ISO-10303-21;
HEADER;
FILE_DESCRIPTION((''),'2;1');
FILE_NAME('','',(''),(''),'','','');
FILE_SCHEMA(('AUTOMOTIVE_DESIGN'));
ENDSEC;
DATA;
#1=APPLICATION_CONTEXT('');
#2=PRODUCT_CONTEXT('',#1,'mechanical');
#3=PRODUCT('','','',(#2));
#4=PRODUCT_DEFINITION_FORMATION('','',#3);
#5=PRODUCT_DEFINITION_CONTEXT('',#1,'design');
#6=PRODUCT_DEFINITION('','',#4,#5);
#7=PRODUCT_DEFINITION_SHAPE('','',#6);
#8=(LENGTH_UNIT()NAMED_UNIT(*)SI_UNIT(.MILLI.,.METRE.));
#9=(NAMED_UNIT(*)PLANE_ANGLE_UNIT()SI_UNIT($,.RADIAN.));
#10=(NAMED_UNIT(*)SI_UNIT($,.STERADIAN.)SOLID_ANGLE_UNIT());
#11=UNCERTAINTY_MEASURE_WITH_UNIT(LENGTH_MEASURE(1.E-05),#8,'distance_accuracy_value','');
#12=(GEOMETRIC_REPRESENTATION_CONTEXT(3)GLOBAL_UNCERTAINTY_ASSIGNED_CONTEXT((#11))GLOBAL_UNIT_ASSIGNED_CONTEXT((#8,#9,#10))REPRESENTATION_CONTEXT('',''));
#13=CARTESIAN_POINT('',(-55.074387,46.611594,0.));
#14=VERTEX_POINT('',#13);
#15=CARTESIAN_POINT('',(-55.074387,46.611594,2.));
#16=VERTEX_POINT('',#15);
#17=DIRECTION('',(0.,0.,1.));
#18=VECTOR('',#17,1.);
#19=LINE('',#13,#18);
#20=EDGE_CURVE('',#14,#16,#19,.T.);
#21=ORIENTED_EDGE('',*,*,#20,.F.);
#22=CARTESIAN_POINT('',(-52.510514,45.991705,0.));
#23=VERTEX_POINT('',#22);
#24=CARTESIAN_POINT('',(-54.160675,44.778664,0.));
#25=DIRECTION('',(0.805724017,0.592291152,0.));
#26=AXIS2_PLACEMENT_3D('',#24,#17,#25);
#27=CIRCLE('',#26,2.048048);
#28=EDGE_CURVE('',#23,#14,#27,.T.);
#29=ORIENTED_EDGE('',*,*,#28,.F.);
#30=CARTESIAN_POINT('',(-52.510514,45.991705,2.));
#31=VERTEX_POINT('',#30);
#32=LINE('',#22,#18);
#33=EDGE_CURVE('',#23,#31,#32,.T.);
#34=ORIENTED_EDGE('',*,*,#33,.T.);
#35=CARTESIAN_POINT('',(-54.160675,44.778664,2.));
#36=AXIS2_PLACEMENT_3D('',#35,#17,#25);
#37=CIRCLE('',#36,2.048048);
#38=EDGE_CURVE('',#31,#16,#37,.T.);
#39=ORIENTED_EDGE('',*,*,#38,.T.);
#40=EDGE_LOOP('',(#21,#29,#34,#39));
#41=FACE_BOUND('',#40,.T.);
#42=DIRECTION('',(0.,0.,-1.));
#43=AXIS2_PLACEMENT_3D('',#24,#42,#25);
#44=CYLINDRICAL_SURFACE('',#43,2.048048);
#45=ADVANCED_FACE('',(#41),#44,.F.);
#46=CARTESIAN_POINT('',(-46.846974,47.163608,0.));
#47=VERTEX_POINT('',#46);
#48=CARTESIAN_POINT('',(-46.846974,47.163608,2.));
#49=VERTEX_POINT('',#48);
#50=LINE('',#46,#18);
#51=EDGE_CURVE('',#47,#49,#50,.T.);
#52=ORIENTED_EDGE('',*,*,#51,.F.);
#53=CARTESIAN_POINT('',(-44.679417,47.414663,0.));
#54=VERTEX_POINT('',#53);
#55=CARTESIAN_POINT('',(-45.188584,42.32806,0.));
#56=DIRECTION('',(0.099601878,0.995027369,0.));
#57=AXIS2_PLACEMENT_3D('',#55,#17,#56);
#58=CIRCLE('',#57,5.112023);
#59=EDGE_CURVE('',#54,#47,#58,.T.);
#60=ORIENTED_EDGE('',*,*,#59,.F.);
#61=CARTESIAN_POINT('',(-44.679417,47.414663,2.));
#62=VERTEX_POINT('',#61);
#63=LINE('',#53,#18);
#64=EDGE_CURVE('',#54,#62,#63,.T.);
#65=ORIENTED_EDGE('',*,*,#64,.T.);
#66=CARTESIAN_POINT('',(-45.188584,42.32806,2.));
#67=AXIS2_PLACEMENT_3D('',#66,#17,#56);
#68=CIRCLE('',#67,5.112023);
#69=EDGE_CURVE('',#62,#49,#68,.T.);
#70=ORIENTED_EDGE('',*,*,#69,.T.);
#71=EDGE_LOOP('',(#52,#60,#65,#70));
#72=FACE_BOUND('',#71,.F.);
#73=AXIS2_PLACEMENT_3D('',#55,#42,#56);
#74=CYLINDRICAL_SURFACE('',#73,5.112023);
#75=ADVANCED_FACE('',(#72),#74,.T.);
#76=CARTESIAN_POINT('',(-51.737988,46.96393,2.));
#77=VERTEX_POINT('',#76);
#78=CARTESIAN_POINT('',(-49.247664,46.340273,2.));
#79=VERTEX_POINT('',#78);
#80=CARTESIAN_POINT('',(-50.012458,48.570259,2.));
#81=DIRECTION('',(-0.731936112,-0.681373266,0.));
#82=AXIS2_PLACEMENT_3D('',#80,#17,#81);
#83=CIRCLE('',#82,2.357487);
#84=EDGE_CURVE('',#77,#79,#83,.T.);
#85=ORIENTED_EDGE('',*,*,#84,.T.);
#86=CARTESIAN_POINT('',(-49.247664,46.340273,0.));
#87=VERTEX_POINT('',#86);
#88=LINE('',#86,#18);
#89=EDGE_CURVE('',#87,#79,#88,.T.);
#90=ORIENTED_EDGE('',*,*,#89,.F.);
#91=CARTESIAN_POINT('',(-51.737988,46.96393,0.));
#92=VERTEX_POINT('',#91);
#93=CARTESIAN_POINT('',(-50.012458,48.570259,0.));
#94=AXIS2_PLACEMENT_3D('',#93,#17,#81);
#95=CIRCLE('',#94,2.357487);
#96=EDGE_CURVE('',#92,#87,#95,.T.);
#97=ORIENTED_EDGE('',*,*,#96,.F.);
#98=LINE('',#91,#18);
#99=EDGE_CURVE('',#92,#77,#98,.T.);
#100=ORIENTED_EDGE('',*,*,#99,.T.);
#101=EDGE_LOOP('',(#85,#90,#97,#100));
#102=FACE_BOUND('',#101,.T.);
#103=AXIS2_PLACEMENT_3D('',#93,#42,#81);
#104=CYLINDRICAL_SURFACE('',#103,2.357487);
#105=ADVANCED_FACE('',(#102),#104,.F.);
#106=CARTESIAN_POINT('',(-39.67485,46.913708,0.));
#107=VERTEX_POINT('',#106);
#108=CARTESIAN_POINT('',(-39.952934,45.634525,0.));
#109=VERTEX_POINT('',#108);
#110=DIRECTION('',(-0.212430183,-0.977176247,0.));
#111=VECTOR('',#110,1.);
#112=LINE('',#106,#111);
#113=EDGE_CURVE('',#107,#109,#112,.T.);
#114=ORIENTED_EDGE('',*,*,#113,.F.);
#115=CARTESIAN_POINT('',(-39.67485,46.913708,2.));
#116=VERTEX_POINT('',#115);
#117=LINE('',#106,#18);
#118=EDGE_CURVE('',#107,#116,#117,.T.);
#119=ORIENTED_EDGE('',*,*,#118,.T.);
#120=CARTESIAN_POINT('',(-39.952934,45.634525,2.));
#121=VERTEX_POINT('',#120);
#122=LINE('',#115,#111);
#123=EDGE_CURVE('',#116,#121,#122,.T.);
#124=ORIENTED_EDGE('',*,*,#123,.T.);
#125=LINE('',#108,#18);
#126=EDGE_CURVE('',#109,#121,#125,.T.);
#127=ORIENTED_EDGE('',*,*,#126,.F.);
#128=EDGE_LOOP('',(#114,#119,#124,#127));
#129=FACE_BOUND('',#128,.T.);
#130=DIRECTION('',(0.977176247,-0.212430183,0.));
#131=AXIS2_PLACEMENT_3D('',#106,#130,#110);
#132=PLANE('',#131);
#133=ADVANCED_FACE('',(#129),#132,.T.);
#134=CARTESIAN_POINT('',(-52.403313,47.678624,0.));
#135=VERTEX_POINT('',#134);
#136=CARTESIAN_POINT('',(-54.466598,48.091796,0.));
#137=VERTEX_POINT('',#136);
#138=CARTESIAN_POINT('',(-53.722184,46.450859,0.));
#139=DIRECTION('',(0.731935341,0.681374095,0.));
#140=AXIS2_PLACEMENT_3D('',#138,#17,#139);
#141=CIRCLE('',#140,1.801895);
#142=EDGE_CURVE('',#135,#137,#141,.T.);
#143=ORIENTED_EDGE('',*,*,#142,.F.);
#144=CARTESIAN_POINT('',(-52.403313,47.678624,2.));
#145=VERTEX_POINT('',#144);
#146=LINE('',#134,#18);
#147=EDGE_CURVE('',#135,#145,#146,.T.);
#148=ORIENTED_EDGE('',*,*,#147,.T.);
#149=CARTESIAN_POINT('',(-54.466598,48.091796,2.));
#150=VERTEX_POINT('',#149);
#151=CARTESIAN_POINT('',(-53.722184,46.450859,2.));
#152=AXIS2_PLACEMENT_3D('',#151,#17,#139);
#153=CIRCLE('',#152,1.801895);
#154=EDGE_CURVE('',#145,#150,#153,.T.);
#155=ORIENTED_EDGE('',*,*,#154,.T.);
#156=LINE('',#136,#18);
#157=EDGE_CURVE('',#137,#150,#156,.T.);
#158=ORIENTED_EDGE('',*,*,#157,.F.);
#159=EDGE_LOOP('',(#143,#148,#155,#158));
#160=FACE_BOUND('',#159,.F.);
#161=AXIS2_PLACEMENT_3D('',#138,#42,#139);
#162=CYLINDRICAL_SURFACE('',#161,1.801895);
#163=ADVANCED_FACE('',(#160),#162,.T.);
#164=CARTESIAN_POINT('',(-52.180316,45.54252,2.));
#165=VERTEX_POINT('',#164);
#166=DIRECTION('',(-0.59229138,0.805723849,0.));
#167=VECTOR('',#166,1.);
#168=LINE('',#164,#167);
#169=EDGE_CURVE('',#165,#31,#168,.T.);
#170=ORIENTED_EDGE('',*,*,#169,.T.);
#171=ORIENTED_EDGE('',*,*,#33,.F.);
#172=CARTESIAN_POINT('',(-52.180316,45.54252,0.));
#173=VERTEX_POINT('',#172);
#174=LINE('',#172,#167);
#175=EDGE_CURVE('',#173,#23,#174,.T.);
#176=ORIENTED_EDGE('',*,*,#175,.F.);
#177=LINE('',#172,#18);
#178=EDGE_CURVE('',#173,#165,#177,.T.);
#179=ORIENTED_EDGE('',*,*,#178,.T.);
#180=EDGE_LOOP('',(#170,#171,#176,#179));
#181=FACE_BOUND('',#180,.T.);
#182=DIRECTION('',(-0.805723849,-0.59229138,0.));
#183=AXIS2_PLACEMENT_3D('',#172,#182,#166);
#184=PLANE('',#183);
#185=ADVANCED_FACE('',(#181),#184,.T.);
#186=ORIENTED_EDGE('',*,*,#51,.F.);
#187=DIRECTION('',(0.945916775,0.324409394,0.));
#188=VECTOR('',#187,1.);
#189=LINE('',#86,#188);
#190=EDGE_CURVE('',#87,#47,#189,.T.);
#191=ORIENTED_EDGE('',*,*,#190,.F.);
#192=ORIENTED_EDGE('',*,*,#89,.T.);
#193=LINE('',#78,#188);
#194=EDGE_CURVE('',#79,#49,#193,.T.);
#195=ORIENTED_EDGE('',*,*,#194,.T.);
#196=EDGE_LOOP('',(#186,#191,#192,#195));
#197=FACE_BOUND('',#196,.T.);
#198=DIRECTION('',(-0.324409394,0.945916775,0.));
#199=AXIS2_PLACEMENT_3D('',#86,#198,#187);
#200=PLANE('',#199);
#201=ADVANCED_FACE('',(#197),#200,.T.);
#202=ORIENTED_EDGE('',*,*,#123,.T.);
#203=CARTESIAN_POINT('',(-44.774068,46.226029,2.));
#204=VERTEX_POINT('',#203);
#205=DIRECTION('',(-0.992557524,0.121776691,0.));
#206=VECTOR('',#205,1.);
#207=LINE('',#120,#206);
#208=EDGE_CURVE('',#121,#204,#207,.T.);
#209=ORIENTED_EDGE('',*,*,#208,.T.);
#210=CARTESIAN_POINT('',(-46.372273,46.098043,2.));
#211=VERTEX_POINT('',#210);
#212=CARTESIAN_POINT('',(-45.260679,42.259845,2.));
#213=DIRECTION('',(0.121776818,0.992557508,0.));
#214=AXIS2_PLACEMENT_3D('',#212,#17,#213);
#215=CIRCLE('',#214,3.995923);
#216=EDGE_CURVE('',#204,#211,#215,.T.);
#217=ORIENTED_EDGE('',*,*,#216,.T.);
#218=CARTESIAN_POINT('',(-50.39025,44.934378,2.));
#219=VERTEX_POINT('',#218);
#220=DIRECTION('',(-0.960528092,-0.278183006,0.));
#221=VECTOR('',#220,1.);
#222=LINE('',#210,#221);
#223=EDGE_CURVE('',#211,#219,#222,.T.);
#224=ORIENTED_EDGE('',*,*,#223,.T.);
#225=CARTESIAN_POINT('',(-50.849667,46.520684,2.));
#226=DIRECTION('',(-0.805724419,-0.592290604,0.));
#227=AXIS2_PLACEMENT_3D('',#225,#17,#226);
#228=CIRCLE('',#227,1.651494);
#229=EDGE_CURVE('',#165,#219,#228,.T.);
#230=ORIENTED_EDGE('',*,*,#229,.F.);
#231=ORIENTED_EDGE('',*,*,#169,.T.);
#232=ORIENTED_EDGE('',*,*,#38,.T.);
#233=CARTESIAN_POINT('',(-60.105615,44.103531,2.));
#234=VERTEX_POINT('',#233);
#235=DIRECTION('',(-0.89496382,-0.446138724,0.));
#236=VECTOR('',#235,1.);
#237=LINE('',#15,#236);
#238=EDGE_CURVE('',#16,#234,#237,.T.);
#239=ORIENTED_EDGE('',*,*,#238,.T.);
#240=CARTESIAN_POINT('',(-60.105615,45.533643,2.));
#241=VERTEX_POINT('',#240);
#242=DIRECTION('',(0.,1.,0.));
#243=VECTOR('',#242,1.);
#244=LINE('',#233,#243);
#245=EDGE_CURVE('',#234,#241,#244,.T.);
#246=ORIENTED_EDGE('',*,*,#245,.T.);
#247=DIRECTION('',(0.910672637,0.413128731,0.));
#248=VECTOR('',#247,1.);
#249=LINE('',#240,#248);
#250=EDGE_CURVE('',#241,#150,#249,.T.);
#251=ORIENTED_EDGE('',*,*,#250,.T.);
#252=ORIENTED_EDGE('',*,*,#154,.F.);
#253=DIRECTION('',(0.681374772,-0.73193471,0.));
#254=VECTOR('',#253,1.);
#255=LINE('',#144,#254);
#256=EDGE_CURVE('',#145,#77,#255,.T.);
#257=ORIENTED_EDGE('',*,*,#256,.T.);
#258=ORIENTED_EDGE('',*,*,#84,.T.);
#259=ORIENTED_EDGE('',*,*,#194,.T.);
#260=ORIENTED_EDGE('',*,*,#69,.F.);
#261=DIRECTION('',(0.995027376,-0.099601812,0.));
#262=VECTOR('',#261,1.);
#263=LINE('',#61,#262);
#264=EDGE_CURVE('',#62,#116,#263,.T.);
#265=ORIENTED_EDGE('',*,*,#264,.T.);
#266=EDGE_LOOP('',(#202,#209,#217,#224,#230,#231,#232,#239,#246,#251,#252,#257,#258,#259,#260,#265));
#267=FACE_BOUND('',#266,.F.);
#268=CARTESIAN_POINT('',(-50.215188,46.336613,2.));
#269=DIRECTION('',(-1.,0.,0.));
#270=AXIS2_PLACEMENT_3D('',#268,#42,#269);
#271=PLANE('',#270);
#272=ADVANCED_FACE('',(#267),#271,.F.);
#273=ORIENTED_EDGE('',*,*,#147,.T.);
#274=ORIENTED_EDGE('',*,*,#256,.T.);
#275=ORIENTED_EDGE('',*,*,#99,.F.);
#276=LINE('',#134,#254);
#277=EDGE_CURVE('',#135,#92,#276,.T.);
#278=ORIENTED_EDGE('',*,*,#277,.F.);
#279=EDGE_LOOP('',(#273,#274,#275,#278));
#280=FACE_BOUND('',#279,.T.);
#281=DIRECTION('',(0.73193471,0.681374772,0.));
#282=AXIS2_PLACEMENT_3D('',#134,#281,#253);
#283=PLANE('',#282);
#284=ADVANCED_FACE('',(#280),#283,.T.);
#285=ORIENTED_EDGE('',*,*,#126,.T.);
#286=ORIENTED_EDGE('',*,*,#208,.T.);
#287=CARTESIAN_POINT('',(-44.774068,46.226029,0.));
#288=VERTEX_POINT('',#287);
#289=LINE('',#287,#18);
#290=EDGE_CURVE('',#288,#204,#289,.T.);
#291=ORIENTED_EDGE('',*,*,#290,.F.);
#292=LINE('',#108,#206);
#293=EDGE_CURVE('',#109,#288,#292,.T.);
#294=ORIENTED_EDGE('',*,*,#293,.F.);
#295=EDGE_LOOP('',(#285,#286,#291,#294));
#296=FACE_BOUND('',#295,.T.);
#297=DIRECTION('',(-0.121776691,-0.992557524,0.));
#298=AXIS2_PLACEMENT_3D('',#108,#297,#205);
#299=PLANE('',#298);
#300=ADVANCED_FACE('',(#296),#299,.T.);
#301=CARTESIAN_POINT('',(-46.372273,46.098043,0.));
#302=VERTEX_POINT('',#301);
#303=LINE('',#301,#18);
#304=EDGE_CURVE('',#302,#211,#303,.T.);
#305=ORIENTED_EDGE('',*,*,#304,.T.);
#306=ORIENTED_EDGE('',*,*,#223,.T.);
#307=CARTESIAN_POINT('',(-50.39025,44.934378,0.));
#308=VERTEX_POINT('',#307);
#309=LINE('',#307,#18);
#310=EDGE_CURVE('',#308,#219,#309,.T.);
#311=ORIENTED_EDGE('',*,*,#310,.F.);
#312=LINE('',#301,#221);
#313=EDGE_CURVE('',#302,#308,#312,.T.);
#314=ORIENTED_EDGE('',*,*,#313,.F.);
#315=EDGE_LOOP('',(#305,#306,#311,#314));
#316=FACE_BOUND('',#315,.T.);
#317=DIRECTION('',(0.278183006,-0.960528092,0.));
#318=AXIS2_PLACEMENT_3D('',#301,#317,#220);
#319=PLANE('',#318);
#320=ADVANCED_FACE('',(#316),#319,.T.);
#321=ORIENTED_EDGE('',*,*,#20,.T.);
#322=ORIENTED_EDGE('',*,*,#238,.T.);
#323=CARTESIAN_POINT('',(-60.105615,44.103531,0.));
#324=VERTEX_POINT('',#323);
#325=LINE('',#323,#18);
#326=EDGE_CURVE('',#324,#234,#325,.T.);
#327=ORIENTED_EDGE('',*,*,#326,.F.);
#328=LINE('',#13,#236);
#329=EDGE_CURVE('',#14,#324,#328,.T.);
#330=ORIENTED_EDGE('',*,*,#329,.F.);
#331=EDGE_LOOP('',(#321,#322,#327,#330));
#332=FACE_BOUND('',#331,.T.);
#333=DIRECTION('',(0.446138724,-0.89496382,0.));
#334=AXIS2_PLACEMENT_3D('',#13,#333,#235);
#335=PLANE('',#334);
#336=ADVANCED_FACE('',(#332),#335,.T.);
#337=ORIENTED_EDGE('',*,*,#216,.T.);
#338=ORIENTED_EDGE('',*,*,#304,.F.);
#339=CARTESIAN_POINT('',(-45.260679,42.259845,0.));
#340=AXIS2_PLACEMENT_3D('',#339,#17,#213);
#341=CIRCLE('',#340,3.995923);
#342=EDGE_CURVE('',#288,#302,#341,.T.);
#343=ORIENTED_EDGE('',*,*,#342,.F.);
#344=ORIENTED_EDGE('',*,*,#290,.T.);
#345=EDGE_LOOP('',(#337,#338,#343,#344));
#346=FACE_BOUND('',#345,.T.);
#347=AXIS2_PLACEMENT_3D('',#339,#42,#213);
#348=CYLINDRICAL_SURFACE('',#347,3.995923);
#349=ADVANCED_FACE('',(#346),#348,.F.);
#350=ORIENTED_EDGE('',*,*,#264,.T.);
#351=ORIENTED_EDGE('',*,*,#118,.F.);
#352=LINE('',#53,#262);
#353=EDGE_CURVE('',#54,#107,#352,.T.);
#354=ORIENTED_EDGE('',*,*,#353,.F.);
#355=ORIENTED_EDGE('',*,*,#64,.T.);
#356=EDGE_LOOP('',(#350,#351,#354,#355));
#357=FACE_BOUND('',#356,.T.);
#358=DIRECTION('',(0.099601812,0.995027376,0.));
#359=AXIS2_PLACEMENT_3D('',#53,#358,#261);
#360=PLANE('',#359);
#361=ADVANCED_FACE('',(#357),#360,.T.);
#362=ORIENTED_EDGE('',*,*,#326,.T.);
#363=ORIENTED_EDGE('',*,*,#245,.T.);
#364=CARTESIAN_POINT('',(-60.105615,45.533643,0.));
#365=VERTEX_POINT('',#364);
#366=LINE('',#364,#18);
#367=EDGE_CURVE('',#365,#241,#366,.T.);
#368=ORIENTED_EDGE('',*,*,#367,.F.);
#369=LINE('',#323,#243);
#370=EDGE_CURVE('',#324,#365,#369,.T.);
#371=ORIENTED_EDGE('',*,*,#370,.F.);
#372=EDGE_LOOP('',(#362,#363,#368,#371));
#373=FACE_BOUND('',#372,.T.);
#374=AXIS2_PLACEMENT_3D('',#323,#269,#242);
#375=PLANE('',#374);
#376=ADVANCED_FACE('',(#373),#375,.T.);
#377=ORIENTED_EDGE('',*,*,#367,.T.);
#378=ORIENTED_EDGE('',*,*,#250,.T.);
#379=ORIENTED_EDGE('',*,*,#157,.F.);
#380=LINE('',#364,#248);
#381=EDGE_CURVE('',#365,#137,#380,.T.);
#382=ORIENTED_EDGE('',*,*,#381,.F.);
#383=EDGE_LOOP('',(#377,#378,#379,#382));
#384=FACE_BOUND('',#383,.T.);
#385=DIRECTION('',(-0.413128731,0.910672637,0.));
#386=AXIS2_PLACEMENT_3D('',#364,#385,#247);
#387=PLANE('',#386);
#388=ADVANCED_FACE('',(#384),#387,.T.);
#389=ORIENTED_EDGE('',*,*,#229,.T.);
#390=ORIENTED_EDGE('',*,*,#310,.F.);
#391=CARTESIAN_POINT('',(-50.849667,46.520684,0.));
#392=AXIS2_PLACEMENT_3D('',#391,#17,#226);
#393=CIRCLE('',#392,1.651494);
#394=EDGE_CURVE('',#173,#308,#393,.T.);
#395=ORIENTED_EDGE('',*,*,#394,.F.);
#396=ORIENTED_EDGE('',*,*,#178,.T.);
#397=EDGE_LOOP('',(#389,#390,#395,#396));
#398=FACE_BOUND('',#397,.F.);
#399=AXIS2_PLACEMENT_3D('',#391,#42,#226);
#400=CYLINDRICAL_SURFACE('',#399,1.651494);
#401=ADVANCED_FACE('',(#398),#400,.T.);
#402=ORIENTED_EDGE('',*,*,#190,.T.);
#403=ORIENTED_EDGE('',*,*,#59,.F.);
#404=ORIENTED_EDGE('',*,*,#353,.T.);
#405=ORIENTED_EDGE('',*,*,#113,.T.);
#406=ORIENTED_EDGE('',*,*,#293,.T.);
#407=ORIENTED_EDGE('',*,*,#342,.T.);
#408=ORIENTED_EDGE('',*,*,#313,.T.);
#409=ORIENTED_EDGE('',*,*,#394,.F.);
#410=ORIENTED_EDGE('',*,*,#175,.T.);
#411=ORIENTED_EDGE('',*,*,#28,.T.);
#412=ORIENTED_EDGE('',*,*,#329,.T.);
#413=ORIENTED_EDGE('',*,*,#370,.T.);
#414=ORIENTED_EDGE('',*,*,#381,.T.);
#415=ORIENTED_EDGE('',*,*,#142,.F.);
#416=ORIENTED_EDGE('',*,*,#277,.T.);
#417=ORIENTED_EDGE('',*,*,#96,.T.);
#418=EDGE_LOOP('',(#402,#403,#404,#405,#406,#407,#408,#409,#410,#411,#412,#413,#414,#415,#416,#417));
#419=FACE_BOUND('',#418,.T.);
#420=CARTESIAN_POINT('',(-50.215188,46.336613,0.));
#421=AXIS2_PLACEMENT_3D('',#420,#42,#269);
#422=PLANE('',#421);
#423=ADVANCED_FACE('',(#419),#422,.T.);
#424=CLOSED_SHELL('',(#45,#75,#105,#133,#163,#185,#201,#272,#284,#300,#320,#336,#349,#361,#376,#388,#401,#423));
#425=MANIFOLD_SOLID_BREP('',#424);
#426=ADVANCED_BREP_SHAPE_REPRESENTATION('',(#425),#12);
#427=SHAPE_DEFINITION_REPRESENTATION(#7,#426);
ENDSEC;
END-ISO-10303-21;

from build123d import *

# Parameters (mm, degrees)
PAD_DEPTH = 2


with BuildPart() as part:
    # Sketch → Pad (new body)
    with BuildSketch(Plane.XY):
        with BuildLine():
            Line((-60.105615, 45.533643), (-54.466598, 48.091796))
            ThreePointArc((-52.403313, 47.678624), (-53.368379, 48.217678), (-54.466598, 48.091796))
            Line((-52.403313, 47.678624), (-51.737988, 46.96393))
            ThreePointArc((-51.737988, 46.96393), (-50.585163, 46.283393), (-49.247664, 46.340273))
            Line((-49.247664, 46.340273), (-46.846974, 47.163608))
            ThreePointArc((-44.679417, 47.414663), (-45.776747, 47.406135), (-46.846974, 47.163608))
            Line((-44.679417, 47.414663), (-39.67485, 46.913708))
            Line((-39.67485, 46.913708), (-39.952934, 45.634525))
            Line((-39.952934, 45.634525), (-44.774068, 46.226029))
            ThreePointArc((-44.774068, 46.226029), (-45.579656, 46.243017), (-46.372273, 46.098043))
            Line((-46.372273, 46.098043), (-50.39025, 44.934378))
            ThreePointArc((-52.180316, 45.54252), (-51.380911, 44.956967), (-50.39025, 44.934378))
            Line((-52.180316, 45.54252), (-52.510514, 45.991705))
            ThreePointArc((-52.510514, 45.991705), (-53.67937, 46.769354), (-55.074387, 46.611594))
            Line((-55.074387, 46.611594), (-60.105615, 44.103531))
            Line((-60.105615, 44.103531), (-60.105615, 45.533643))
        make_face()
    extrude(amount=PAD_DEPTH)


solid = part.part
